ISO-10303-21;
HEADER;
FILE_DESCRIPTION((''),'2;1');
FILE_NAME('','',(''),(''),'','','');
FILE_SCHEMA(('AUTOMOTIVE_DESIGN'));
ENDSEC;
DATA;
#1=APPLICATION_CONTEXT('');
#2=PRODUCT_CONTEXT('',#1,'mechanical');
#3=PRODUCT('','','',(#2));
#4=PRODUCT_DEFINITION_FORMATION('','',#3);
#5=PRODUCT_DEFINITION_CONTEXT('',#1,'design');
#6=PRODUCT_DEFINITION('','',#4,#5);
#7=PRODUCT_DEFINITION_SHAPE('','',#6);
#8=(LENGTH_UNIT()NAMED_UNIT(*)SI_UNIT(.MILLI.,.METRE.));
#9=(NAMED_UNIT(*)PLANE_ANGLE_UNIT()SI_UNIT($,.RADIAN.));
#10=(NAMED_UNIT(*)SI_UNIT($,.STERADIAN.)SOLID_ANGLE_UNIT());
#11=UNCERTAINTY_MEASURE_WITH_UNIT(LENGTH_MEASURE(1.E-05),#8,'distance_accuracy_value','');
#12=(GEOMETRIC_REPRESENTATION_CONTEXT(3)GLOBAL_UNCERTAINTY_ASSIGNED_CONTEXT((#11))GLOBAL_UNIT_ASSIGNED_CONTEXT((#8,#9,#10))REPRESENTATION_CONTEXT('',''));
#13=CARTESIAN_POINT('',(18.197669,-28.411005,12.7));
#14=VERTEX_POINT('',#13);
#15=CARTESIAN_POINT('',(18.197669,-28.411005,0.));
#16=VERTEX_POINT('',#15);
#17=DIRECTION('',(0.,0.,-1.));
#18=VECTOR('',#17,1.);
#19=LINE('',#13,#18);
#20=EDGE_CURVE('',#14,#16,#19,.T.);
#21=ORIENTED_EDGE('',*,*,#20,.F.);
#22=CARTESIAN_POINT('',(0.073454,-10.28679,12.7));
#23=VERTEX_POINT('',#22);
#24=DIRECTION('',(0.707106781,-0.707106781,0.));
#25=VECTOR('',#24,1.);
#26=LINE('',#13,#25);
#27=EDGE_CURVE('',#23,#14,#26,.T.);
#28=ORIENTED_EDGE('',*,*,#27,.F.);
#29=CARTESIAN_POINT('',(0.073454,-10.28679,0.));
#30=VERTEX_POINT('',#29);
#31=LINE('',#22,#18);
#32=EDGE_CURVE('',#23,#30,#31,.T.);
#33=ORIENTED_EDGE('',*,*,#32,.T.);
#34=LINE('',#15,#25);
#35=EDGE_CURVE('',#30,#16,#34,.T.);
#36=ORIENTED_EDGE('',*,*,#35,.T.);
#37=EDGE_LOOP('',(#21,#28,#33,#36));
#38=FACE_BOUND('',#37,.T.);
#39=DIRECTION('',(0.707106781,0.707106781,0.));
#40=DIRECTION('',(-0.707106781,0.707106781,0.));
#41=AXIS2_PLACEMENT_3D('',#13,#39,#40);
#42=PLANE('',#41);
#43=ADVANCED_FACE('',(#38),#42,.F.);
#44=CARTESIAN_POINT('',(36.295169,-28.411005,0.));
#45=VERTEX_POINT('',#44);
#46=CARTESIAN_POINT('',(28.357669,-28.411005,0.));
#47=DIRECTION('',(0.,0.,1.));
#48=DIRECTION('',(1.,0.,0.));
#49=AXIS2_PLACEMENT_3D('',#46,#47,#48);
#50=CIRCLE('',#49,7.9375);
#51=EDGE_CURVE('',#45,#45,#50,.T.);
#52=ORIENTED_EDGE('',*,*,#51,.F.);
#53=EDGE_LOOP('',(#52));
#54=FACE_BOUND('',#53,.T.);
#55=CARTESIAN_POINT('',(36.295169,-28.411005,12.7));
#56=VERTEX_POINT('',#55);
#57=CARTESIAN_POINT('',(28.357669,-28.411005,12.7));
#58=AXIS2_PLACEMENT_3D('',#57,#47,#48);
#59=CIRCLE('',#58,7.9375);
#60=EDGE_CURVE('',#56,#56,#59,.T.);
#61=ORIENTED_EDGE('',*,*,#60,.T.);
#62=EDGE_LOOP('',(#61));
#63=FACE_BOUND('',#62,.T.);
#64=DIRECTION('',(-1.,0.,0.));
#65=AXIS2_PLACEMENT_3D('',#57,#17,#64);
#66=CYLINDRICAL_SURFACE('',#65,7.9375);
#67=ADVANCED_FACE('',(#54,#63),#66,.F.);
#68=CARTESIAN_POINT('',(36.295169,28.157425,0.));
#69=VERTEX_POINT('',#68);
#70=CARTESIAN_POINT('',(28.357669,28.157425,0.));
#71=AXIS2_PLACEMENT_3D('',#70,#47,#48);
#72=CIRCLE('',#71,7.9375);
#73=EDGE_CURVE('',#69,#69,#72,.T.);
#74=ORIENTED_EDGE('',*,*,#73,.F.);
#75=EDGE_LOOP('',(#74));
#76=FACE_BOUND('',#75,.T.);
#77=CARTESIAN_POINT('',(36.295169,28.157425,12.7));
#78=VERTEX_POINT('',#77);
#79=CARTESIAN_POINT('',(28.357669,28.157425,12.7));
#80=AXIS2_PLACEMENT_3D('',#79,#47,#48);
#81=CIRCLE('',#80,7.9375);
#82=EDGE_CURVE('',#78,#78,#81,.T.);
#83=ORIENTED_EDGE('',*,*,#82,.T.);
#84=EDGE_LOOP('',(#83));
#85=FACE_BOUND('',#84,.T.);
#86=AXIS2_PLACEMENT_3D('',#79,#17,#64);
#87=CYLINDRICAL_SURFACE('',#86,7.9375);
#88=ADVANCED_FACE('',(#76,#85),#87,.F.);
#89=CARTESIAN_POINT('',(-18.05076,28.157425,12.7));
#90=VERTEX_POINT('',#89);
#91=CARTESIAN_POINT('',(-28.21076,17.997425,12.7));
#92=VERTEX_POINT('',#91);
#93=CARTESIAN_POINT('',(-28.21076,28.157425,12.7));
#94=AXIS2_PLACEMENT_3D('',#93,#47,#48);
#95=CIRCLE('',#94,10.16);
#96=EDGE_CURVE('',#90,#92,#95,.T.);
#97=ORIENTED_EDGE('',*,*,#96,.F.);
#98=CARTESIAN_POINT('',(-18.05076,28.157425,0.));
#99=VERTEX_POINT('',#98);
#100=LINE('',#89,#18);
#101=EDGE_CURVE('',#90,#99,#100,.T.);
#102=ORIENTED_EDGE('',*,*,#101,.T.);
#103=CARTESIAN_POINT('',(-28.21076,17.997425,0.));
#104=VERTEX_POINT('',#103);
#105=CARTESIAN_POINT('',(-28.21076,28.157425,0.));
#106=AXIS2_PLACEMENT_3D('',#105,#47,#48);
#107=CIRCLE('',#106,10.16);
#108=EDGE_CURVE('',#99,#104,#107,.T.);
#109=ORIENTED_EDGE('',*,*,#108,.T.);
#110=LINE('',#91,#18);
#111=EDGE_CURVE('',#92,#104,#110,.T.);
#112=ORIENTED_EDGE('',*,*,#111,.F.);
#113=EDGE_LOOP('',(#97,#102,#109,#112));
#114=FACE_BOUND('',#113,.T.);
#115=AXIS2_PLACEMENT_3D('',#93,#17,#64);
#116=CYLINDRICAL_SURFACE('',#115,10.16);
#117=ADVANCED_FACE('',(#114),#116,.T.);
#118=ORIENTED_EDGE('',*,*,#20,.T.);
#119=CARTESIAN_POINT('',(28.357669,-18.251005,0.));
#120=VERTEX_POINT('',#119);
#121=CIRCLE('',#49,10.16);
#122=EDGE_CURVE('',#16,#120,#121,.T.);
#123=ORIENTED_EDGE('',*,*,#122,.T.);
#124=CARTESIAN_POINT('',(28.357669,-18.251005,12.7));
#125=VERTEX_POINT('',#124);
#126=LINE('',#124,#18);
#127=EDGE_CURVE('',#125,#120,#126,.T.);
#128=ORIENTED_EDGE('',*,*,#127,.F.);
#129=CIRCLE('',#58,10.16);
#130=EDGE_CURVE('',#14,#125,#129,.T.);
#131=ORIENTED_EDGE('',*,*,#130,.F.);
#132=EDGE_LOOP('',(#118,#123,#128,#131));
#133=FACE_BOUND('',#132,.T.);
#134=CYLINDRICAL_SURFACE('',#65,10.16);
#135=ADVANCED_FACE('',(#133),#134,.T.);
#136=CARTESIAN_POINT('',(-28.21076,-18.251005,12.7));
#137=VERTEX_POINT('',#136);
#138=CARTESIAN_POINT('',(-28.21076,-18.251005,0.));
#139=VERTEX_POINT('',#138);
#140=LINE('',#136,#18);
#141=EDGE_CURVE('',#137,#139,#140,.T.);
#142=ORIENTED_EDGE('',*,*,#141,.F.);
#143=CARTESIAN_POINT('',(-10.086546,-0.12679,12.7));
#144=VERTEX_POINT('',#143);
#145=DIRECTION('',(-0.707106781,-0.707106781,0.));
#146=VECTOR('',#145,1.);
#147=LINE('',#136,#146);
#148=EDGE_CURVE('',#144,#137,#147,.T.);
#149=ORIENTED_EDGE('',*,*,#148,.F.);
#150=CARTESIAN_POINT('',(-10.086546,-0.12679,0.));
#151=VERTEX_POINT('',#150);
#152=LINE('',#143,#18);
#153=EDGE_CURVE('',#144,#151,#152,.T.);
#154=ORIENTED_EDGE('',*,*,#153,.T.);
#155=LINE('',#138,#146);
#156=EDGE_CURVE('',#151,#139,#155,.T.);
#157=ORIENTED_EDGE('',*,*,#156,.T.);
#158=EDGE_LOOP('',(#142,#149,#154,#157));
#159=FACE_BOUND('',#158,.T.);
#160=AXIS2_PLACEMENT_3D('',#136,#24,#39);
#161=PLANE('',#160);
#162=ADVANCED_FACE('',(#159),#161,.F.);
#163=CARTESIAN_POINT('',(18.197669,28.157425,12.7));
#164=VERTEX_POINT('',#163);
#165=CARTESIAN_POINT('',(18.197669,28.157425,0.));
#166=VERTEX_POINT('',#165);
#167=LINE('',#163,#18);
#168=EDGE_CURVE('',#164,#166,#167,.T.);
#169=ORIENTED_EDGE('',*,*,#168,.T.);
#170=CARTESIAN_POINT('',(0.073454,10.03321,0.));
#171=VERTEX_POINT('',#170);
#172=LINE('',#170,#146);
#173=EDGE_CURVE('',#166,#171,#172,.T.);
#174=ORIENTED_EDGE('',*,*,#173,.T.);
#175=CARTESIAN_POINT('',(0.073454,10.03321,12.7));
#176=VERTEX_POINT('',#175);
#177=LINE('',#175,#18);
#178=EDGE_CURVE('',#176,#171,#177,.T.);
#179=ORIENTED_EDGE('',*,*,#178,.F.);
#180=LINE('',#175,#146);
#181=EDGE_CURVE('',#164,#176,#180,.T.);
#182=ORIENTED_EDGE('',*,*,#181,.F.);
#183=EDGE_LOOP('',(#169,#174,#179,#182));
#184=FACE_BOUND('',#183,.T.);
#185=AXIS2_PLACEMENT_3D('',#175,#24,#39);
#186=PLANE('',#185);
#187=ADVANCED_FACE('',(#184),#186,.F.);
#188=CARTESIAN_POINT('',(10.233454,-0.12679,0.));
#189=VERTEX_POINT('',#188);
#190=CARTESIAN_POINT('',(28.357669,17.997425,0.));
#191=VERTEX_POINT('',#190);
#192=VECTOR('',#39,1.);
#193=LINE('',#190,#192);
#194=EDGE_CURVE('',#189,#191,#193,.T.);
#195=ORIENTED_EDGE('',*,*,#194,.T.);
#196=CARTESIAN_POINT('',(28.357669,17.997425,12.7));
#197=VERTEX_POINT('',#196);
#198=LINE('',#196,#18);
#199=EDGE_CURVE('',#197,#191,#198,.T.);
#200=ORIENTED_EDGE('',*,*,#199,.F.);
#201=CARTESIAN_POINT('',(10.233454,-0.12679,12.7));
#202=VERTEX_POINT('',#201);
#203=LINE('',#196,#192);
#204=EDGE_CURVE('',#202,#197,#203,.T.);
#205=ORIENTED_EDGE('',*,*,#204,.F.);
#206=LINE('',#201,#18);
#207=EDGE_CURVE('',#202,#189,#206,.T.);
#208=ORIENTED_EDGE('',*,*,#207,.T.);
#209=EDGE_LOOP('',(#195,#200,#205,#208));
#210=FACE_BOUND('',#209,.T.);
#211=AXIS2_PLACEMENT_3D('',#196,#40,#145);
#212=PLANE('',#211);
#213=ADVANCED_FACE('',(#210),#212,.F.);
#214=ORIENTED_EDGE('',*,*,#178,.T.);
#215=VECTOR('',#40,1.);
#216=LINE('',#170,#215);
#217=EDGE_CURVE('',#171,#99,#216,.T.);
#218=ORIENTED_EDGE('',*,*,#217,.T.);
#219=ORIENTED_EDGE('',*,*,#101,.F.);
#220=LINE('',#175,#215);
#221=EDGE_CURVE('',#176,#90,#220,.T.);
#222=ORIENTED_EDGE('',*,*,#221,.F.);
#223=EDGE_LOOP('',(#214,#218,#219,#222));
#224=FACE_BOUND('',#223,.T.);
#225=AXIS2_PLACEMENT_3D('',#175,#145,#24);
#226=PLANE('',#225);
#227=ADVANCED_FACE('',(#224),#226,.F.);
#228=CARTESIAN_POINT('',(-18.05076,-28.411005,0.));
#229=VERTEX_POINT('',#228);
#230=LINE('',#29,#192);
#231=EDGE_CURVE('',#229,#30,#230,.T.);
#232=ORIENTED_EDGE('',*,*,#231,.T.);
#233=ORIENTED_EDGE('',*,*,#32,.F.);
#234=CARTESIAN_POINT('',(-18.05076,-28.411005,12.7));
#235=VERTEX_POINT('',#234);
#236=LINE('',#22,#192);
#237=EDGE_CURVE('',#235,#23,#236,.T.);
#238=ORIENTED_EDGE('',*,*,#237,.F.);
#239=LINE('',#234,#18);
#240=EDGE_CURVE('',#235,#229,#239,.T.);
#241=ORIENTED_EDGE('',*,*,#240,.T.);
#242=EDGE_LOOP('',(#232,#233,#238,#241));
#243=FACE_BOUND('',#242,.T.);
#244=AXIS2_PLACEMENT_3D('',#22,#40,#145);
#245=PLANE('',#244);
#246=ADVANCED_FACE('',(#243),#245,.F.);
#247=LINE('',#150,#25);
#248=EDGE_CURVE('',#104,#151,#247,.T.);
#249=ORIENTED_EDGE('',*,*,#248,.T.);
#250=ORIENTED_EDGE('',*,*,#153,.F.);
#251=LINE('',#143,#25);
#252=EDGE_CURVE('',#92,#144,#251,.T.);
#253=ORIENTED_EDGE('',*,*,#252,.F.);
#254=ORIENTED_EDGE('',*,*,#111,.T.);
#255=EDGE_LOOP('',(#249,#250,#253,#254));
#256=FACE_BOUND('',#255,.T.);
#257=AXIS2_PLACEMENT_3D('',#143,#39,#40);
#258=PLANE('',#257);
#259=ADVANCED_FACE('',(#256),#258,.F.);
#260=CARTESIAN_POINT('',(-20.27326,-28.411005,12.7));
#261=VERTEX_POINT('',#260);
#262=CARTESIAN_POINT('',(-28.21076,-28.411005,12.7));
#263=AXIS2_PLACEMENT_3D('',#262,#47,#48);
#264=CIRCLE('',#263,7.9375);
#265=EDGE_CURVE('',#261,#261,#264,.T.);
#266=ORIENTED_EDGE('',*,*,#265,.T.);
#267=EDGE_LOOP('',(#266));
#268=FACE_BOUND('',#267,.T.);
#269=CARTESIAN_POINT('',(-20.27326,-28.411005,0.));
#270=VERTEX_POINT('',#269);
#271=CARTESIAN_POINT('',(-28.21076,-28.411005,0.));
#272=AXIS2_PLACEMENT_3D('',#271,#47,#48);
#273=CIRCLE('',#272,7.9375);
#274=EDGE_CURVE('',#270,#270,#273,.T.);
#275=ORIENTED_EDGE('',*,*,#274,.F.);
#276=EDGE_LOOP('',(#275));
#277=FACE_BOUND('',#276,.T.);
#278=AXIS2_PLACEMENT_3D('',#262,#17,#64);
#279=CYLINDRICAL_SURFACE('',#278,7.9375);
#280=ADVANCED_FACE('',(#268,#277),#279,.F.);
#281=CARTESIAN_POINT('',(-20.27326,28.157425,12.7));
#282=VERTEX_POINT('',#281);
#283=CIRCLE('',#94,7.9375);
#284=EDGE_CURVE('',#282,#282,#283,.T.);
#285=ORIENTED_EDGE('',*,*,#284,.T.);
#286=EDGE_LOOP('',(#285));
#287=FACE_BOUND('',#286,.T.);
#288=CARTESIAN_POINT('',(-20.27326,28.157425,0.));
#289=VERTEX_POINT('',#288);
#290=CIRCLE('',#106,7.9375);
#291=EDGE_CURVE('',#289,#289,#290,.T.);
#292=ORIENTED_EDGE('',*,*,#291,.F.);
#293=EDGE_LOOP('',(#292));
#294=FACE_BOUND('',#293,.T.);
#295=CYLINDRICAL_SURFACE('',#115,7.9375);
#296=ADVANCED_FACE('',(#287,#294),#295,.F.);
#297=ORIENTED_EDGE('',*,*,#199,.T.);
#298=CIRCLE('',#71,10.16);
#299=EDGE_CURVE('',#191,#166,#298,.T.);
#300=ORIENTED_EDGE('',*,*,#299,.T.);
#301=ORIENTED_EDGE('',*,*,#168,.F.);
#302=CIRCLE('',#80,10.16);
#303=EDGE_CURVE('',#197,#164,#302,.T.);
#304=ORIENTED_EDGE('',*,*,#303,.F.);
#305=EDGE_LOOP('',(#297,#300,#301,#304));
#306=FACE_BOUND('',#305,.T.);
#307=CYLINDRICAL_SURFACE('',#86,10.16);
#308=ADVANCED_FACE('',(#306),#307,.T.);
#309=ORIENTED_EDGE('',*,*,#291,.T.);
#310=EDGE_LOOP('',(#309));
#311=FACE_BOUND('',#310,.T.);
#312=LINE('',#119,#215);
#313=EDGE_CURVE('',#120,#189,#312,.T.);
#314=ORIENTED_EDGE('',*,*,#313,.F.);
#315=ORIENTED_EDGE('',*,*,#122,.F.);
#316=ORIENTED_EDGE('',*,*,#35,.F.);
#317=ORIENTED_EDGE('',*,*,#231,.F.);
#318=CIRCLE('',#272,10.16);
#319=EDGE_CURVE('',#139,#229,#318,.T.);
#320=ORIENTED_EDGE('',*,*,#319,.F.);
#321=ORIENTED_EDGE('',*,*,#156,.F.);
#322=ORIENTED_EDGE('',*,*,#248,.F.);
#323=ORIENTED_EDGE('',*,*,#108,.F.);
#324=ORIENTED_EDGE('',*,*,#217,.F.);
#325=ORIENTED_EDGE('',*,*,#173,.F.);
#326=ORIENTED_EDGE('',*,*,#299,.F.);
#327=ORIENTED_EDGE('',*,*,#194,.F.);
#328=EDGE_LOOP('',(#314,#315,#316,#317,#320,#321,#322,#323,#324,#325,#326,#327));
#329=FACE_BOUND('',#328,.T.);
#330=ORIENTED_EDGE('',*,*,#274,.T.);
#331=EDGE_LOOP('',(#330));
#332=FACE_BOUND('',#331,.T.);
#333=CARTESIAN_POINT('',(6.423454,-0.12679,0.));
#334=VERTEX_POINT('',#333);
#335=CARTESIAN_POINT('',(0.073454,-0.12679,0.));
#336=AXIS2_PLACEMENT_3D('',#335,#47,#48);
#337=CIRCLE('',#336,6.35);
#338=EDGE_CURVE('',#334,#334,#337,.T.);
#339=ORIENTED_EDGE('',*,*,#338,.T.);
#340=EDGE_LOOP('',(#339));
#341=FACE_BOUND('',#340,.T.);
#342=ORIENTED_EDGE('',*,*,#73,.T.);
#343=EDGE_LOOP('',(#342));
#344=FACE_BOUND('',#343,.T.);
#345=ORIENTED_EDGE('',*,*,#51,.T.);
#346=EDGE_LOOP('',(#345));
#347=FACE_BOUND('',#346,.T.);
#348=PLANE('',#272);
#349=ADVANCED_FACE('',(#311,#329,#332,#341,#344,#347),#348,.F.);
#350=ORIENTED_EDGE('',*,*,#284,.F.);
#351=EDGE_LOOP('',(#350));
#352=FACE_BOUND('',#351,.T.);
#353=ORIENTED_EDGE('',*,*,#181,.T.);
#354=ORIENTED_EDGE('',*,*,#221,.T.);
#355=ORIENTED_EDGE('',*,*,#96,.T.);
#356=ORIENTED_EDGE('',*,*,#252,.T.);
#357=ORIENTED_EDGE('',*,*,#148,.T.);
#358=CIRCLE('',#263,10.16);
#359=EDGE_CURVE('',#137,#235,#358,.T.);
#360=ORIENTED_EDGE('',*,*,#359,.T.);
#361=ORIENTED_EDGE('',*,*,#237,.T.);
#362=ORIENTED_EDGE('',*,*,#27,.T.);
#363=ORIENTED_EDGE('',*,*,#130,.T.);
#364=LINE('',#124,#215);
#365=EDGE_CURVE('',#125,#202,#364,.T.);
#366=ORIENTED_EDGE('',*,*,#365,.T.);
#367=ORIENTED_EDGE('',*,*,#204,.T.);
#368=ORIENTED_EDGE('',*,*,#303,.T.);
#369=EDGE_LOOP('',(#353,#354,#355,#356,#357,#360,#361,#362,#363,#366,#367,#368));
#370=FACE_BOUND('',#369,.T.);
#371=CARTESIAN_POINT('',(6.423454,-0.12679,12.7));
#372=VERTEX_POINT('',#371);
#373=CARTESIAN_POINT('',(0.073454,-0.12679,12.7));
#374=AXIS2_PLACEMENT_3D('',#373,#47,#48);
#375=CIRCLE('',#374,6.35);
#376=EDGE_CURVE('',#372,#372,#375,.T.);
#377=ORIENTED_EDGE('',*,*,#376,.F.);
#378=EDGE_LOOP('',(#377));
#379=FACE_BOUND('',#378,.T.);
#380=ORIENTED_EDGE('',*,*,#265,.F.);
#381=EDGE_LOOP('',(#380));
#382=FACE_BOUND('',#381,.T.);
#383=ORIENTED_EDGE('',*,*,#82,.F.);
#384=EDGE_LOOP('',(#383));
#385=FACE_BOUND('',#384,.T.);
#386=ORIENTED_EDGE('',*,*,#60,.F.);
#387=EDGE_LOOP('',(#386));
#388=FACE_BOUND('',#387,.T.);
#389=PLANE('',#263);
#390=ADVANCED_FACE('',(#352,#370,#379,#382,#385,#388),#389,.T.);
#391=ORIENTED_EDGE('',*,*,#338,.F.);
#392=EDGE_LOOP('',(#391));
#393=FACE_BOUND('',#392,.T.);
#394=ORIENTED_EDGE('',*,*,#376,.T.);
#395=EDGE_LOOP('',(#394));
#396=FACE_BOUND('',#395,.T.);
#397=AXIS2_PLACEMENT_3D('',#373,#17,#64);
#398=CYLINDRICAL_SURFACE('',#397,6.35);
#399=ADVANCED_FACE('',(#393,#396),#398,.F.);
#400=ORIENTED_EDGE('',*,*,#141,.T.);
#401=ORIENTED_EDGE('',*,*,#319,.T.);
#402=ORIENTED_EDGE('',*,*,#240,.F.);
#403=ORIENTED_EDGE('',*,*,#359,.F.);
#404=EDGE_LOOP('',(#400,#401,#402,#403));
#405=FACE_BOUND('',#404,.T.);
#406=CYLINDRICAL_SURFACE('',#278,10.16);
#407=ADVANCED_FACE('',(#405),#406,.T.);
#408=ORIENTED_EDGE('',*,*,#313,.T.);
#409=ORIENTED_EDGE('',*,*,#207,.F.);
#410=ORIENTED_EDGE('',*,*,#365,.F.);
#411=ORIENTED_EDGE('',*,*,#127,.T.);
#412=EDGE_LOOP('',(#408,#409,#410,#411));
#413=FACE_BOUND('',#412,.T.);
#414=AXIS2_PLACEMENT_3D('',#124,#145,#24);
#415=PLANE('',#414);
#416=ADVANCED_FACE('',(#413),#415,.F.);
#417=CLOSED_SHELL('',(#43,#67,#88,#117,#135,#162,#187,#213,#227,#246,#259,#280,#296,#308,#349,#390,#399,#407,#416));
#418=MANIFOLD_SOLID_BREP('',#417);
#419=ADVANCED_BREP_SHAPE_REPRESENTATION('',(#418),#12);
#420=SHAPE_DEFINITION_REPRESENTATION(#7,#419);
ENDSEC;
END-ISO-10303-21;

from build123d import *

# Parameters (mm, degrees)
SKETCH2_R           = 7.9375
SKETCH2_R_2         = 6.35
BOSS_EXTRUDE1_DEPTH = 12.7


with BuildPart() as part:
    # Sketch2 → Boss-Extrude1 (new body)
    with BuildSketch(Plane.XY):
        with BuildLine():
            Line((-28.210760469, -18.251004821), (-10.08654579, -0.126790143))
            Line((-10.08654579, -0.126790143), (-28.210760469, 17.997424536))
            ThreePointArc((-28.210760469, 17.997424536), (-35.394965366, 35.341629433), (-18.050760469, 28.157424536))
            Line((-18.050760469, 28.157424536), (0.07345421, 10.033209857))
            Line((0.07345421, 10.033209857), (18.197668889, 28.157424536))
            ThreePointArc((18.197668889, 28.157424536), (35.541873785, 35.341629433), (28.357668889, 17.997424536))
            Line((28.357668889, 17.997424536), (10.23345421, -0.126790143))
            Line((10.23345421, -0.126790143), (28.357668889, -18.251004821))
            ThreePointArc((28.357668889, -18.251004821), (35.541873785, -35.595209718), (18.197668889, -28.411004821))
            Line((18.197668889, -28.411004821), (0.07345421, -10.286790143))
            Line((0.07345421, -10.286790143), (-18.050760469, -28.411004821))
            ThreePointArc((-18.050760469, -28.411004821), (-35.394965366, -35.595209718), (-28.210760469, -18.251004821))
        make_face()
        with Locations((-28.210760469, 28.157424536)):
            Circle(SKETCH2_R, mode=Mode.SUBTRACT)
        with Locations((28.357668889, 28.157424536)):
            Circle(SKETCH2_R, mode=Mode.SUBTRACT)
        with Locations((28.357668889, -28.411004821)):
            Circle(SKETCH2_R, mode=Mode.SUBTRACT)
        with Locations((-28.210760469, -28.411004821)):
            Circle(SKETCH2_R, mode=Mode.SUBTRACT)
        with Locations((0.07345421, -0.126790143)):
            Circle(SKETCH2_R_2, mode=Mode.SUBTRACT)
    extrude(amount=BOSS_EXTRUDE1_DEPTH)


solid = part.part
